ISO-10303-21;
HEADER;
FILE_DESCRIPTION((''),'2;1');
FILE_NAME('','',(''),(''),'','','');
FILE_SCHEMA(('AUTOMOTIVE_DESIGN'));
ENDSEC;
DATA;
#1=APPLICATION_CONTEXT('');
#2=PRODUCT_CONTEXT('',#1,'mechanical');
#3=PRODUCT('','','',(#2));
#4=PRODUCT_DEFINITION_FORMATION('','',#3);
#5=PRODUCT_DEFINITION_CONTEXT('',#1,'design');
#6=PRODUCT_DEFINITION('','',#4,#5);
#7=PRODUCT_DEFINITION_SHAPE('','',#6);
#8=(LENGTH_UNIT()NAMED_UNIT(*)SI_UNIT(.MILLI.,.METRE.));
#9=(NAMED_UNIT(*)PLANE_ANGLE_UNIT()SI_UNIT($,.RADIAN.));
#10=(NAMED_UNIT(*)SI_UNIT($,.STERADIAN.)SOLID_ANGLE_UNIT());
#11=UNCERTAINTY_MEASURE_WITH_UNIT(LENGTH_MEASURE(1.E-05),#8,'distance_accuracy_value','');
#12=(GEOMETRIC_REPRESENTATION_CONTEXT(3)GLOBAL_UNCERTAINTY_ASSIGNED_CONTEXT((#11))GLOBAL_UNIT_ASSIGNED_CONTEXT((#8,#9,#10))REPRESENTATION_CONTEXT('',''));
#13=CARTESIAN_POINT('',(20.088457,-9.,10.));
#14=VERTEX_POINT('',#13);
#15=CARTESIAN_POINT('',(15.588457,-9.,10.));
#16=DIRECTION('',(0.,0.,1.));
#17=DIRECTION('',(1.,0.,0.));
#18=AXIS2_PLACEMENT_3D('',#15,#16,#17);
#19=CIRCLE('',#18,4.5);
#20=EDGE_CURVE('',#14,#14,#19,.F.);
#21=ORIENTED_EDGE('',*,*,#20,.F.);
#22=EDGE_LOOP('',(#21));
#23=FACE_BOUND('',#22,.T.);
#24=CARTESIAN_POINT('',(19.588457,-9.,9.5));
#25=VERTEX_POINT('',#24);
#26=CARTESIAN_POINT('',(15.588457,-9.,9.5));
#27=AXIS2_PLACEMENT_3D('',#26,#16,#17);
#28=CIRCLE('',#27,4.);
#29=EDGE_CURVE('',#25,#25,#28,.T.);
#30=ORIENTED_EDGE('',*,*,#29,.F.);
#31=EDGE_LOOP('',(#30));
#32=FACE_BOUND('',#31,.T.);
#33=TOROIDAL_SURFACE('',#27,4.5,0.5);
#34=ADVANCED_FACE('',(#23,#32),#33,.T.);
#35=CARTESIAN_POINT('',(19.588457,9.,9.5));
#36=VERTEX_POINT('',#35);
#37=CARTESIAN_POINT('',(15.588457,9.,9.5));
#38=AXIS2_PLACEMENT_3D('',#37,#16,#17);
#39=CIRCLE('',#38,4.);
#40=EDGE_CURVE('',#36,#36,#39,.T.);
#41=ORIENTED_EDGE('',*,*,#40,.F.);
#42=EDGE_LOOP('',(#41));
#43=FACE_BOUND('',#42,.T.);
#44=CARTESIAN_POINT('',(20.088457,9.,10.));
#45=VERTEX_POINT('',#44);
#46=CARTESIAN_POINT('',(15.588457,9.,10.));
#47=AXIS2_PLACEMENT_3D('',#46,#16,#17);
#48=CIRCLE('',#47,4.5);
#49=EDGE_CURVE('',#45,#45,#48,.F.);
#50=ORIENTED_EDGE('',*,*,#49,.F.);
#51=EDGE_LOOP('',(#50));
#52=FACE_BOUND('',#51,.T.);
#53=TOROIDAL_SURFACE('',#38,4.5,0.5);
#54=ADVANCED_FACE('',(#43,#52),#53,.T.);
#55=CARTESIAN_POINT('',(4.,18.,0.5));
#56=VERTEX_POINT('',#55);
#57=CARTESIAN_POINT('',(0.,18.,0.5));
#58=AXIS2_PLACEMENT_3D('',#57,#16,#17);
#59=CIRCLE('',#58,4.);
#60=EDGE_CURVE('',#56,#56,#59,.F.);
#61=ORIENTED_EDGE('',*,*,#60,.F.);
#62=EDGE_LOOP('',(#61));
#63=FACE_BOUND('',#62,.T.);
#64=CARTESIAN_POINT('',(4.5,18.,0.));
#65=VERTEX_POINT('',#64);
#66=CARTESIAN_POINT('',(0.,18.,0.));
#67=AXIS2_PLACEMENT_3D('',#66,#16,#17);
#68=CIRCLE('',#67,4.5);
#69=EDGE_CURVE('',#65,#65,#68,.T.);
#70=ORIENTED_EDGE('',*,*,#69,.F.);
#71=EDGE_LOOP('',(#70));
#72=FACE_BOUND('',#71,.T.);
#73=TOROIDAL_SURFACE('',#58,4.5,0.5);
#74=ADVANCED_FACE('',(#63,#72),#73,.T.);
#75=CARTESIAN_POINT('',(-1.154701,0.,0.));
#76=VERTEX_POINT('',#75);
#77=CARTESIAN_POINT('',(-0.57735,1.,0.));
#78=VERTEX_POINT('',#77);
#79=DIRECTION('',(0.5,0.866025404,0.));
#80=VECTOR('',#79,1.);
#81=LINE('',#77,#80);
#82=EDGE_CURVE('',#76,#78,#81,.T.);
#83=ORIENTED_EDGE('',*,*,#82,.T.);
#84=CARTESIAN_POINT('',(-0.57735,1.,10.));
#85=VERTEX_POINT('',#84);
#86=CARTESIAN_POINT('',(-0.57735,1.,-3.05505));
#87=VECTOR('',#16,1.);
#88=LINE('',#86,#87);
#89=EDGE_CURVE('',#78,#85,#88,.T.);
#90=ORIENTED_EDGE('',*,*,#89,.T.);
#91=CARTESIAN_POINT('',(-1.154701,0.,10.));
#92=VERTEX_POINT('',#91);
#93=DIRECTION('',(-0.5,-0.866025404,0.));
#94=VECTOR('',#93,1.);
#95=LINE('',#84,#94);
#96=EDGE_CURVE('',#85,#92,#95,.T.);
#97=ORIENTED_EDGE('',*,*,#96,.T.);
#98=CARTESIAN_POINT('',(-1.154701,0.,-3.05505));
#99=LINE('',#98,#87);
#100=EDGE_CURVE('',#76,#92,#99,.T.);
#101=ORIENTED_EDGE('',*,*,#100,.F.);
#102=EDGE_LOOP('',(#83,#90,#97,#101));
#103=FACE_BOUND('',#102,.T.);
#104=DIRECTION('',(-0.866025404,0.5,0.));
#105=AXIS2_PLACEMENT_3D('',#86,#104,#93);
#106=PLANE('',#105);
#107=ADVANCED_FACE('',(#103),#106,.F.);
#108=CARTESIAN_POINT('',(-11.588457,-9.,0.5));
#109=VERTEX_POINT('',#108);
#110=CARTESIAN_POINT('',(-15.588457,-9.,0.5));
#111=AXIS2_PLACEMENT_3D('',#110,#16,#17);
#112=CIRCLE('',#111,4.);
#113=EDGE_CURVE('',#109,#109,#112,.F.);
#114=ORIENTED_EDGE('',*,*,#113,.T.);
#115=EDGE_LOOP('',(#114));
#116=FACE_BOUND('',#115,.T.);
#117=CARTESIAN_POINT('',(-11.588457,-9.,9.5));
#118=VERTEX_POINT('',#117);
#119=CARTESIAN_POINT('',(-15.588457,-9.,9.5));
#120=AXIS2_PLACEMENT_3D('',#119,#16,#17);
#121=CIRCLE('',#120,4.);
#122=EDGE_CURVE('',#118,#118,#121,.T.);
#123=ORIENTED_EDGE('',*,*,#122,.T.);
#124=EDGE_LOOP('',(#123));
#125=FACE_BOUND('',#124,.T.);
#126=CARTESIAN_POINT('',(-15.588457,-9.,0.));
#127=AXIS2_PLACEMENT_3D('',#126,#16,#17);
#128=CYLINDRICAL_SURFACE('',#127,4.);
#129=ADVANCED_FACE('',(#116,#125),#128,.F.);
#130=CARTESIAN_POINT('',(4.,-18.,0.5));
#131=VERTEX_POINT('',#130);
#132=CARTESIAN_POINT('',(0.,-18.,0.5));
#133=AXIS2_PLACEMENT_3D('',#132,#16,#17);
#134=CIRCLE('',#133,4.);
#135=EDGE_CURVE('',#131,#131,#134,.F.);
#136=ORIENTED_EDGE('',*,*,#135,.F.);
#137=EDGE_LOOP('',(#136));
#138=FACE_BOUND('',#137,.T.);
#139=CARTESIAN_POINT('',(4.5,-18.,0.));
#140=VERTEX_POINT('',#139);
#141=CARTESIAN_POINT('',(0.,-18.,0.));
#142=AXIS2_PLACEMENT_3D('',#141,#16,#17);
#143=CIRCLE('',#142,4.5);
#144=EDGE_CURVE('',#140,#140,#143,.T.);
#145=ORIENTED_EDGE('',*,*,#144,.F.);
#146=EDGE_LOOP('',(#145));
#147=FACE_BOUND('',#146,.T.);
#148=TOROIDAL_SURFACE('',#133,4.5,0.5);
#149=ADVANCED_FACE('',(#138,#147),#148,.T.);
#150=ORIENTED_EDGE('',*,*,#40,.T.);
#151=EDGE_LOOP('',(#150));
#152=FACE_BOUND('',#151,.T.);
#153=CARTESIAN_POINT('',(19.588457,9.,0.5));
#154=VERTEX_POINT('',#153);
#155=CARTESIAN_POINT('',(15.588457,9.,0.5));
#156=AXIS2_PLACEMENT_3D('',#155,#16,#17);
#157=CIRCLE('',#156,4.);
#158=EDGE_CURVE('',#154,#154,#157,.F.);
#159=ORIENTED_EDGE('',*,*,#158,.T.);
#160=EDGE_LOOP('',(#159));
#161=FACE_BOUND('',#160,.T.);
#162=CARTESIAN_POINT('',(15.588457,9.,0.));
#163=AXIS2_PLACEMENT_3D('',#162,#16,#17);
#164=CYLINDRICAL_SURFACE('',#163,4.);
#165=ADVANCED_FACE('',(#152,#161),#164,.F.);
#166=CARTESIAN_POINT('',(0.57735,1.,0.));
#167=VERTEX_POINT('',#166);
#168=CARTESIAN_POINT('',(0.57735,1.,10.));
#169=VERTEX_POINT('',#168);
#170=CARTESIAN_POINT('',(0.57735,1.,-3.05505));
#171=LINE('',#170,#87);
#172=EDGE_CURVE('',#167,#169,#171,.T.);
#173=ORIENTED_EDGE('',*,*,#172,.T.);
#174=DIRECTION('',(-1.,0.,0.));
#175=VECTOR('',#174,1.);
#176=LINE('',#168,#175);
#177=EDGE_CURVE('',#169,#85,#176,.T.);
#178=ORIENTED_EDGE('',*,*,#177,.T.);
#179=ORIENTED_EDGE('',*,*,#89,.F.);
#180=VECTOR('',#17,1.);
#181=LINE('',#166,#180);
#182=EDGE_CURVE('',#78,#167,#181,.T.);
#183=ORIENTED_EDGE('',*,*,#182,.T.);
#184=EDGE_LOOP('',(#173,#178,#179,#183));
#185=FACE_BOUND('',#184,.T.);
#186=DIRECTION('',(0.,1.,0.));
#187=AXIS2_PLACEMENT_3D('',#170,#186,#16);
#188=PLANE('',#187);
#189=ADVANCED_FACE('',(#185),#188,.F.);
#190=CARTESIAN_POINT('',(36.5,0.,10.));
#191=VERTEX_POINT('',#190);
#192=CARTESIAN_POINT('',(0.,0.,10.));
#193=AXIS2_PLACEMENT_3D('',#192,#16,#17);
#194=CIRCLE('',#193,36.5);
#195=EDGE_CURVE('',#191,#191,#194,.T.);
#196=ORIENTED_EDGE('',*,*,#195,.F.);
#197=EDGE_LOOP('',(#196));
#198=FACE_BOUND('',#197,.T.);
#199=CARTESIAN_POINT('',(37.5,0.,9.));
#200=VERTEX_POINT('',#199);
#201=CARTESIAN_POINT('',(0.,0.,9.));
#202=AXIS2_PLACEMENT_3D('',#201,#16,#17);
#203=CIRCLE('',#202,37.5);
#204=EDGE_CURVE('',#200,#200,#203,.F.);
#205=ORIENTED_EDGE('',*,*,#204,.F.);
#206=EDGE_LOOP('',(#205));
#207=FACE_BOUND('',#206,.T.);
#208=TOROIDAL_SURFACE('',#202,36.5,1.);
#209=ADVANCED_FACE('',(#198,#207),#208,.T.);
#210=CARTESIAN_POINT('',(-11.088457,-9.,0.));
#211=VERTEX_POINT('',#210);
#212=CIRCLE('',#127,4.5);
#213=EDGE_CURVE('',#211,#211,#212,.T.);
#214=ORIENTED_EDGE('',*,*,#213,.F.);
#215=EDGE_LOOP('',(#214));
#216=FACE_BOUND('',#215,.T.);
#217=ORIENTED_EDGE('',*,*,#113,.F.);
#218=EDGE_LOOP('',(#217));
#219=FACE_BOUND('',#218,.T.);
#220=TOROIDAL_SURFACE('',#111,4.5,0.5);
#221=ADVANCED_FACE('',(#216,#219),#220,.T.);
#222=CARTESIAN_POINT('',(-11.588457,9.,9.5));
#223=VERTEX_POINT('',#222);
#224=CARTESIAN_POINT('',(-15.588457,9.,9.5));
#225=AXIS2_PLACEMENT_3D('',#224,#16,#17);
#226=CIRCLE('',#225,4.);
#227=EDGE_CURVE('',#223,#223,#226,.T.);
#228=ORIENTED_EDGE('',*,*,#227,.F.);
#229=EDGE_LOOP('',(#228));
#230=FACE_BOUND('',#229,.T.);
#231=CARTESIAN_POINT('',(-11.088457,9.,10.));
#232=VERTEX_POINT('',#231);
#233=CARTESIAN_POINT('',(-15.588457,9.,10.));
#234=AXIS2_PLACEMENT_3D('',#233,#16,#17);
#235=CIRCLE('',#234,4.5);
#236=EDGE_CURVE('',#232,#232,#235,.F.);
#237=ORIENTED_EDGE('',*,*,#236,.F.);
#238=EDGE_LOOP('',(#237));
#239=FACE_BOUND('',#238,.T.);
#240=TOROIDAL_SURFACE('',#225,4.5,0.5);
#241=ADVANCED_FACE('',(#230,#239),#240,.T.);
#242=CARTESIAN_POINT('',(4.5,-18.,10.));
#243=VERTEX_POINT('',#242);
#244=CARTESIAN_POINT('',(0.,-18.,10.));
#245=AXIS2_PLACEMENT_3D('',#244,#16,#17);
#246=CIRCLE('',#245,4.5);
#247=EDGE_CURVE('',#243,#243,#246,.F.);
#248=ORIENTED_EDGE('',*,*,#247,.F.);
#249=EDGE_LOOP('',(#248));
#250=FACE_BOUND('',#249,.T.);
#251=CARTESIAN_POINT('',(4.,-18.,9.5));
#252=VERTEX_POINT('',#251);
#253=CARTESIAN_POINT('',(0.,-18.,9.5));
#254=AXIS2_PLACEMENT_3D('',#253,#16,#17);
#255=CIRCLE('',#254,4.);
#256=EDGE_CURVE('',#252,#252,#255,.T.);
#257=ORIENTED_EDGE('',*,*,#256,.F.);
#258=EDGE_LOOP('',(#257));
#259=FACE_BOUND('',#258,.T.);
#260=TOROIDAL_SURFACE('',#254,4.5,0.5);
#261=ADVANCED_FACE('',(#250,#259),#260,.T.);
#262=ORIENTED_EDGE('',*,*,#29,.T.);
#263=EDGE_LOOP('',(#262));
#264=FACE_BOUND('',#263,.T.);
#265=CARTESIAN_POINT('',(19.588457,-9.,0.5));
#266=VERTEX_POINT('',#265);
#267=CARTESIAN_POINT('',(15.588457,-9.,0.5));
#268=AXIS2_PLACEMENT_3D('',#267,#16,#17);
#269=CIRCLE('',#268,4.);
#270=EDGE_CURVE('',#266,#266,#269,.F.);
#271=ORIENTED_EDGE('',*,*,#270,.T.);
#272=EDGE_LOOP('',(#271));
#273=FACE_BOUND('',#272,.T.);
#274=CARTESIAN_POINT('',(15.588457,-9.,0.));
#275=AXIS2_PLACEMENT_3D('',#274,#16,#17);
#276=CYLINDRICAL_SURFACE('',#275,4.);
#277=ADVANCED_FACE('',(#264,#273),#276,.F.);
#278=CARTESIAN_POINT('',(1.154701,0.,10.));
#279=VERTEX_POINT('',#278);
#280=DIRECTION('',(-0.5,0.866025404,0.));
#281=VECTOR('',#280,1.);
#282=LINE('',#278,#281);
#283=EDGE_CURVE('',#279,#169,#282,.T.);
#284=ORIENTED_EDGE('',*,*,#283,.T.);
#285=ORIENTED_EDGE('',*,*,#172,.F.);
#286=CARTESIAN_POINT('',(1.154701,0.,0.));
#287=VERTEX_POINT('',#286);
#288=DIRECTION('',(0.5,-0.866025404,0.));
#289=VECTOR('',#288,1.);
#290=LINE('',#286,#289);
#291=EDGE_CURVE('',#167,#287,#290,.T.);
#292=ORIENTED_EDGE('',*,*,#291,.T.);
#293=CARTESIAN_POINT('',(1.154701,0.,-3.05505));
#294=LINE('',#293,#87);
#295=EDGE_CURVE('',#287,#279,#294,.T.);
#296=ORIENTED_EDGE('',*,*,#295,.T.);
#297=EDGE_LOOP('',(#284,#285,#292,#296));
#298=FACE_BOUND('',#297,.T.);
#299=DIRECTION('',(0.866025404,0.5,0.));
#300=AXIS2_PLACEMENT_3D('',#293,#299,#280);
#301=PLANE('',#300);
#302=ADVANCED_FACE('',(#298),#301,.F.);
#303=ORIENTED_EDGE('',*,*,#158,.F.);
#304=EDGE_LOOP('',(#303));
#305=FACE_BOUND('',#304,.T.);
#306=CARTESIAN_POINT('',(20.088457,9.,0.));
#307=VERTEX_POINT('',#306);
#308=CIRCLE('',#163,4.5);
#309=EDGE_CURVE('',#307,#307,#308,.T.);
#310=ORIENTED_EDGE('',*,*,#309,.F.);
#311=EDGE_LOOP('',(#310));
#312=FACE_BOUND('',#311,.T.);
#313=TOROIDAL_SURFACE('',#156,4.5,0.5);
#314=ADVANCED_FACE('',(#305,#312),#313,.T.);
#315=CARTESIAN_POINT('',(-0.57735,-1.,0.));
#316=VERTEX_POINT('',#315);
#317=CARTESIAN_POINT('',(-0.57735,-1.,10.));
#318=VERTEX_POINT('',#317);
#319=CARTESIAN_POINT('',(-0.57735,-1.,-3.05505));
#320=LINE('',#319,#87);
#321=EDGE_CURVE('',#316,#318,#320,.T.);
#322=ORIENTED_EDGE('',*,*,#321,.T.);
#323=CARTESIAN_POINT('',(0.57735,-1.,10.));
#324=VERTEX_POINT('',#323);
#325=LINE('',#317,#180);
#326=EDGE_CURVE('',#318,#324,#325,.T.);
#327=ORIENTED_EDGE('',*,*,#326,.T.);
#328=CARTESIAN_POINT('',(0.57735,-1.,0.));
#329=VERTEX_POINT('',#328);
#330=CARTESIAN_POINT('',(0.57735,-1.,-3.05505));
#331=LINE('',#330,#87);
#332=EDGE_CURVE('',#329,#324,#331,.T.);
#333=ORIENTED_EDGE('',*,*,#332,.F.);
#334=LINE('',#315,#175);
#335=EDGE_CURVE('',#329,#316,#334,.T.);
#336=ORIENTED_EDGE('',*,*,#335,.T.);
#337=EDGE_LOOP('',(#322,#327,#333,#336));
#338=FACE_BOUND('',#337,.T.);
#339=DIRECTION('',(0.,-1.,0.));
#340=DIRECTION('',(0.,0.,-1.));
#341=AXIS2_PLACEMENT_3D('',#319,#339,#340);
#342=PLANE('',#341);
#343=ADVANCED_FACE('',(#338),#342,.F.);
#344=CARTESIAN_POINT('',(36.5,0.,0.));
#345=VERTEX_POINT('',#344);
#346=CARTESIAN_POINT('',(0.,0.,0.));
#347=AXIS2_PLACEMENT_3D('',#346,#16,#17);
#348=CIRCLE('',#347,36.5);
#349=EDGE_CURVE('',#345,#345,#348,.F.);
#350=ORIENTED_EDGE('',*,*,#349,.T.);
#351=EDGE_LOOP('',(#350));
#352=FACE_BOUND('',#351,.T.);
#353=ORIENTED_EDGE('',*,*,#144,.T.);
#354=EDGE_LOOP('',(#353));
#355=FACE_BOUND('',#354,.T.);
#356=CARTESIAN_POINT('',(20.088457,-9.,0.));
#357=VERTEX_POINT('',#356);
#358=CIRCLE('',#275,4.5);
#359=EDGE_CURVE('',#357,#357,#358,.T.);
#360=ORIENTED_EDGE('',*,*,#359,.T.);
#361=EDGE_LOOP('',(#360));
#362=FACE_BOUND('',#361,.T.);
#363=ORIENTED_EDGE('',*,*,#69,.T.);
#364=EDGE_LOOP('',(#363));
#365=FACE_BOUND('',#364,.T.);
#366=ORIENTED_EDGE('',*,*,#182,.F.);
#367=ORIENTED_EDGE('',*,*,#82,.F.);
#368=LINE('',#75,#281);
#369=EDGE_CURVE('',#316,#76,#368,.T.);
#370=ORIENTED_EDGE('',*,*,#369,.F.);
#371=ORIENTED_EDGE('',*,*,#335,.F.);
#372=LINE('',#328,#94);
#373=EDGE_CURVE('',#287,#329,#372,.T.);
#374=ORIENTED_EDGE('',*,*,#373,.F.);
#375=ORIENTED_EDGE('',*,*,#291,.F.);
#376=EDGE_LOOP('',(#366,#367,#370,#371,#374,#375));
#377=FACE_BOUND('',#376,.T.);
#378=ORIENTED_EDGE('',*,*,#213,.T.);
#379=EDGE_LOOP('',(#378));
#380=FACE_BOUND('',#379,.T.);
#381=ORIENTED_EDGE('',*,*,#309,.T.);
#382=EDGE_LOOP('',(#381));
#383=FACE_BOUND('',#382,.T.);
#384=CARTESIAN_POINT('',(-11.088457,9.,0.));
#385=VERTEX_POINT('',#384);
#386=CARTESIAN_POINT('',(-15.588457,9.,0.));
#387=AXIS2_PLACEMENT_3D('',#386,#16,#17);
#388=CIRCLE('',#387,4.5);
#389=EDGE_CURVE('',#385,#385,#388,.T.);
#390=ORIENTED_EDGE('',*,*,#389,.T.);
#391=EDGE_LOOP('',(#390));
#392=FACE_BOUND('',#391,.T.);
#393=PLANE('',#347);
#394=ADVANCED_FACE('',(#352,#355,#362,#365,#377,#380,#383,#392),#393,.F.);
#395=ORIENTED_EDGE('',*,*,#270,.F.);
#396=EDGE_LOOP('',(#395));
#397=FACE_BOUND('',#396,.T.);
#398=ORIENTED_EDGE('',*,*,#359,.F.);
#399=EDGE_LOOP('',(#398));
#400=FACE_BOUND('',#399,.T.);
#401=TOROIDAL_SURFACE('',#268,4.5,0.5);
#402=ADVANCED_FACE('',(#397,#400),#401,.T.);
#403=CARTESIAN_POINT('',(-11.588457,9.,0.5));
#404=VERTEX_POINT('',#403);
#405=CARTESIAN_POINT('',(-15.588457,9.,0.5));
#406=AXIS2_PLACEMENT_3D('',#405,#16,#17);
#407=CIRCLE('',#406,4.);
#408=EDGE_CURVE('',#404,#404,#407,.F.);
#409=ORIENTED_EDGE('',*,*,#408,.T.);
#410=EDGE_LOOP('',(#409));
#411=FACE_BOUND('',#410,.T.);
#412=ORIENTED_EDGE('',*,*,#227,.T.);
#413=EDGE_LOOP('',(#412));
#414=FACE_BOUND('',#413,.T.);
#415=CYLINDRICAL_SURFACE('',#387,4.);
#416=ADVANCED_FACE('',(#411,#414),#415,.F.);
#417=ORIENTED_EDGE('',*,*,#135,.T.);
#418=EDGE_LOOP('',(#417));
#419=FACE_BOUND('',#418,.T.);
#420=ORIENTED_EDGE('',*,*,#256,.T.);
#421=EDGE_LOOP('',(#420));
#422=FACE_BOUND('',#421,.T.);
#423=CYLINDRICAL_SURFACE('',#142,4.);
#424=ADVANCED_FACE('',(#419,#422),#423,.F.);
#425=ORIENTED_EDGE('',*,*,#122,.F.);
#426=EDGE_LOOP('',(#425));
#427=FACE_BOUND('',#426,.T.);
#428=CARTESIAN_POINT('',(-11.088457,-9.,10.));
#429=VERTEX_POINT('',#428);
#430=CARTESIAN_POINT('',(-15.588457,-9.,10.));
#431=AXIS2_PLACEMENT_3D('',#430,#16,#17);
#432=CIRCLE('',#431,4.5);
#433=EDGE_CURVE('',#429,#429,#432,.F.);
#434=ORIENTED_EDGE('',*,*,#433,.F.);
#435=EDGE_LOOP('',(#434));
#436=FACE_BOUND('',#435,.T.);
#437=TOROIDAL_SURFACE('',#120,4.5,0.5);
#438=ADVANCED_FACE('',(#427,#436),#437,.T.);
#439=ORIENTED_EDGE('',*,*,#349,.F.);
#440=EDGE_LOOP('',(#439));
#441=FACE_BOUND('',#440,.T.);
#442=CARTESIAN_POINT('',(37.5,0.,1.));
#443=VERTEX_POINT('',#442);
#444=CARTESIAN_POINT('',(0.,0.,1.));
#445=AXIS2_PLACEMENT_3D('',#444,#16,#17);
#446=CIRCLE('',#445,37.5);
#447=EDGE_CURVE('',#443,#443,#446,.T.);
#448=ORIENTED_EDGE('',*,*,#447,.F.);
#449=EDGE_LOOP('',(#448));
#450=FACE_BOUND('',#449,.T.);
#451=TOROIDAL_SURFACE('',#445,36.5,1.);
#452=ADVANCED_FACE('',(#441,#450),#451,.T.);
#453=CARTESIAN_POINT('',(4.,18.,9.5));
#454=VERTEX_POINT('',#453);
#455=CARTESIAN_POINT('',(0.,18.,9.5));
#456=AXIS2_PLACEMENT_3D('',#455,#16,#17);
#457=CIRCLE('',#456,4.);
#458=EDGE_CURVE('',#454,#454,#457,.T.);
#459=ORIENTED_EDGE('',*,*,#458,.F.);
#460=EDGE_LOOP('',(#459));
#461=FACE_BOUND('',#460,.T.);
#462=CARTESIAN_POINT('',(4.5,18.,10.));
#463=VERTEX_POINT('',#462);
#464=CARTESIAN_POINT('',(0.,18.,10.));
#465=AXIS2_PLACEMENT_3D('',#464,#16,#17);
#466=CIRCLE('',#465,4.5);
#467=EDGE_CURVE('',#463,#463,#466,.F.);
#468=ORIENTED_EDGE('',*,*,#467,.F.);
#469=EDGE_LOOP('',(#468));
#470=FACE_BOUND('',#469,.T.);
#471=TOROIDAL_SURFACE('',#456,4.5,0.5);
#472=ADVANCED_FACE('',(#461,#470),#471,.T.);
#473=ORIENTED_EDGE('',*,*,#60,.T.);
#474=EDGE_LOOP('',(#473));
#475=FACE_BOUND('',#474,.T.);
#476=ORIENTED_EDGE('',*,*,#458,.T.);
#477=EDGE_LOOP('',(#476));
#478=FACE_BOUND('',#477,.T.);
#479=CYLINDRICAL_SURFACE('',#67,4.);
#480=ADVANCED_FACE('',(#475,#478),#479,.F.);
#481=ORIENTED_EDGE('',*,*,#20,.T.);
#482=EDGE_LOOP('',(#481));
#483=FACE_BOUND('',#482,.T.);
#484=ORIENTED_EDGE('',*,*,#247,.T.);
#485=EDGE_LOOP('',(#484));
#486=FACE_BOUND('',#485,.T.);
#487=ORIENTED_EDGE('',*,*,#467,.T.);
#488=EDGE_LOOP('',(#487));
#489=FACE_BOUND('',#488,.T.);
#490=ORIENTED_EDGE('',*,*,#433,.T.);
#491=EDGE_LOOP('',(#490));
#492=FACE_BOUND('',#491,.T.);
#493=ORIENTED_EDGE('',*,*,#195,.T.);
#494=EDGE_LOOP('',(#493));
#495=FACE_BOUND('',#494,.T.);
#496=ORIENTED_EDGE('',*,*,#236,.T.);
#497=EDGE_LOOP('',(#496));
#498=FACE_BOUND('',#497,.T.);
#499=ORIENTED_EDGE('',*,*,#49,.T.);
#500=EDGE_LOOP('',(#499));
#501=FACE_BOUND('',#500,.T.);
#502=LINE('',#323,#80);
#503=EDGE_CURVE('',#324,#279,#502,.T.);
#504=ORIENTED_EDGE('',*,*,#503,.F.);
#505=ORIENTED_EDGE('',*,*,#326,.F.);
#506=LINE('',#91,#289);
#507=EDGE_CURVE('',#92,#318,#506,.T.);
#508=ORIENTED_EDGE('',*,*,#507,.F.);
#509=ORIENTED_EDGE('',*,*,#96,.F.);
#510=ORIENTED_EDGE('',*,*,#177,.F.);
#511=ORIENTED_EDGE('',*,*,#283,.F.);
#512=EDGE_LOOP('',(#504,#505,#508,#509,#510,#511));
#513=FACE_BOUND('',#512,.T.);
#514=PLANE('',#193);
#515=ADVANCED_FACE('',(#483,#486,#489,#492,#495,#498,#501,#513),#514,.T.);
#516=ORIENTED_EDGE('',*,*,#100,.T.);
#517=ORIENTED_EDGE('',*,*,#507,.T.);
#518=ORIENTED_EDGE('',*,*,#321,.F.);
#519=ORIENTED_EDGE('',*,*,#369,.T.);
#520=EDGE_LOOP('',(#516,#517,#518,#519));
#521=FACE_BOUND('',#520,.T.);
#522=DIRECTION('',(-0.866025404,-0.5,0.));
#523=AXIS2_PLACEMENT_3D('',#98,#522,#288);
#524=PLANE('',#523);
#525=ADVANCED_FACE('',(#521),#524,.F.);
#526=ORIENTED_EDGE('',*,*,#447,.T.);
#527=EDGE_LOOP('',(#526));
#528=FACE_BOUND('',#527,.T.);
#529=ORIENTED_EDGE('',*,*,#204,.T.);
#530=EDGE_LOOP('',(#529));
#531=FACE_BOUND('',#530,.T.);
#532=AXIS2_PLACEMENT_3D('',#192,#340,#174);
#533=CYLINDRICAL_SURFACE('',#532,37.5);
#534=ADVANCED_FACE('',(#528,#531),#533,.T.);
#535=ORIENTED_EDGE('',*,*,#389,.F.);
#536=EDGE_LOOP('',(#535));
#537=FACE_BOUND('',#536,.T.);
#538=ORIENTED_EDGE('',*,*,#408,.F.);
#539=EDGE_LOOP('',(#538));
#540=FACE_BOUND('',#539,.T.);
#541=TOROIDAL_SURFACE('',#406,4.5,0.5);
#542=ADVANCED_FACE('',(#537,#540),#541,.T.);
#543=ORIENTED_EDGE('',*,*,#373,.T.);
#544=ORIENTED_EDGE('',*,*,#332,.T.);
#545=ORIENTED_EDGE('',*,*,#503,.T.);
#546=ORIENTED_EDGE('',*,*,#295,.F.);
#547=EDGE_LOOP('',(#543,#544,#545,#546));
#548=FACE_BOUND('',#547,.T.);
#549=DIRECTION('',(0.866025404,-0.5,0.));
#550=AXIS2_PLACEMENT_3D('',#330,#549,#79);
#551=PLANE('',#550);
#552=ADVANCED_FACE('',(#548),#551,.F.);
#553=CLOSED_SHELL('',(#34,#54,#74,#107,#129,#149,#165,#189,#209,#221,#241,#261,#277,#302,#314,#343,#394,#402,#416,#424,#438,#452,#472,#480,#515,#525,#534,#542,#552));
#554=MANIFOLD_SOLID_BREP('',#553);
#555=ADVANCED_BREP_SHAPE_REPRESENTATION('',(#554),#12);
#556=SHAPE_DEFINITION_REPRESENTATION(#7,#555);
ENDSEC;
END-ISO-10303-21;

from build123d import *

# Parameters (mm, degrees)
SKETCH1_R           = 37.5
BOSS_EXTRUDE1_DEPTH = 10
SKETCH3_R           = 4
CUT_EXTRUDE3_DEPTH  = 11
CIRPATTERN1_COUNT   = 6
FILLET1_R           = 1
FILLET2_R           = 0.5
CUT_EXTRUDE4_DEPTH  = 10


with BuildPart() as part:
    # Sketch1 → Boss-Extrude1 (new body)
    with BuildSketch(Plane.XY):
        Circle(SKETCH1_R)
    extrude(amount=BOSS_EXTRUDE1_DEPTH)

    # Sketch3 → Cut-Extrude3 (cut, through all)
    with BuildSketch(Plane.XY.offset(10)):
        with Locations((0, 18)):
            Circle(SKETCH3_R)
    cut_extrude3 = extrude(amount=-CUT_EXTRUDE3_DEPTH, mode=Mode.SUBTRACT)

    # CirPattern1: Cut-Extrude3 ×6 about axis
    cirpattern1_axis = Axis((0, 0, 0), (0, 0, 1))
    for i in range(1, CIRPATTERN1_COUNT):
        add(cut_extrude3.rotate(cirpattern1_axis, i * 360 / CIRPATTERN1_COUNT), mode=Mode.SUBTRACT)

    # Fillet1
    fillet1_edges = [part.edges().sort_by_distance(p)[0] for p in [
        (-37.5, 0, 0),
        (-37.5, 0, 10),
    ]]
    fillet(fillet1_edges, radius=FILLET1_R)

    # Fillet2
    fillet2_edges = [part.edges().sort_by_distance(p)[0] for p in [
        (13.588457268, 12.464101615, 0),
        (13.588457268, 12.464101615, 10),
        (17.588457268, -5.535898385, 0),
        (17.588457268, -5.535898385, 10),
        (4, -18, 0),
        (4, -18, 10),
        (-13.588457268, -12.464101615, 0),
        (-13.588457268, -12.464101615, 10),
        (-17.588457268, 5.535898385, 0),
        (-17.588457268, 5.535898385, 10),
        (-4, 18, 0),
        (-4, 18, 10),
    ]]
    fillet(fillet2_edges, radius=FILLET2_R)

    # Sketch2 → Cut-Extrude4 (cut)
    with BuildSketch(Plane.XY.offset(10)):
        Polygon((1.154700538, 0), (0.577350269, 1), (-0.577350269, 1), (-1.154700538, 0), (-0.577350269, -1), (0.577350269, -1), align=None)
    extrude(amount=-CUT_EXTRUDE4_DEPTH, mode=Mode.SUBTRACT)


solid = part.part
